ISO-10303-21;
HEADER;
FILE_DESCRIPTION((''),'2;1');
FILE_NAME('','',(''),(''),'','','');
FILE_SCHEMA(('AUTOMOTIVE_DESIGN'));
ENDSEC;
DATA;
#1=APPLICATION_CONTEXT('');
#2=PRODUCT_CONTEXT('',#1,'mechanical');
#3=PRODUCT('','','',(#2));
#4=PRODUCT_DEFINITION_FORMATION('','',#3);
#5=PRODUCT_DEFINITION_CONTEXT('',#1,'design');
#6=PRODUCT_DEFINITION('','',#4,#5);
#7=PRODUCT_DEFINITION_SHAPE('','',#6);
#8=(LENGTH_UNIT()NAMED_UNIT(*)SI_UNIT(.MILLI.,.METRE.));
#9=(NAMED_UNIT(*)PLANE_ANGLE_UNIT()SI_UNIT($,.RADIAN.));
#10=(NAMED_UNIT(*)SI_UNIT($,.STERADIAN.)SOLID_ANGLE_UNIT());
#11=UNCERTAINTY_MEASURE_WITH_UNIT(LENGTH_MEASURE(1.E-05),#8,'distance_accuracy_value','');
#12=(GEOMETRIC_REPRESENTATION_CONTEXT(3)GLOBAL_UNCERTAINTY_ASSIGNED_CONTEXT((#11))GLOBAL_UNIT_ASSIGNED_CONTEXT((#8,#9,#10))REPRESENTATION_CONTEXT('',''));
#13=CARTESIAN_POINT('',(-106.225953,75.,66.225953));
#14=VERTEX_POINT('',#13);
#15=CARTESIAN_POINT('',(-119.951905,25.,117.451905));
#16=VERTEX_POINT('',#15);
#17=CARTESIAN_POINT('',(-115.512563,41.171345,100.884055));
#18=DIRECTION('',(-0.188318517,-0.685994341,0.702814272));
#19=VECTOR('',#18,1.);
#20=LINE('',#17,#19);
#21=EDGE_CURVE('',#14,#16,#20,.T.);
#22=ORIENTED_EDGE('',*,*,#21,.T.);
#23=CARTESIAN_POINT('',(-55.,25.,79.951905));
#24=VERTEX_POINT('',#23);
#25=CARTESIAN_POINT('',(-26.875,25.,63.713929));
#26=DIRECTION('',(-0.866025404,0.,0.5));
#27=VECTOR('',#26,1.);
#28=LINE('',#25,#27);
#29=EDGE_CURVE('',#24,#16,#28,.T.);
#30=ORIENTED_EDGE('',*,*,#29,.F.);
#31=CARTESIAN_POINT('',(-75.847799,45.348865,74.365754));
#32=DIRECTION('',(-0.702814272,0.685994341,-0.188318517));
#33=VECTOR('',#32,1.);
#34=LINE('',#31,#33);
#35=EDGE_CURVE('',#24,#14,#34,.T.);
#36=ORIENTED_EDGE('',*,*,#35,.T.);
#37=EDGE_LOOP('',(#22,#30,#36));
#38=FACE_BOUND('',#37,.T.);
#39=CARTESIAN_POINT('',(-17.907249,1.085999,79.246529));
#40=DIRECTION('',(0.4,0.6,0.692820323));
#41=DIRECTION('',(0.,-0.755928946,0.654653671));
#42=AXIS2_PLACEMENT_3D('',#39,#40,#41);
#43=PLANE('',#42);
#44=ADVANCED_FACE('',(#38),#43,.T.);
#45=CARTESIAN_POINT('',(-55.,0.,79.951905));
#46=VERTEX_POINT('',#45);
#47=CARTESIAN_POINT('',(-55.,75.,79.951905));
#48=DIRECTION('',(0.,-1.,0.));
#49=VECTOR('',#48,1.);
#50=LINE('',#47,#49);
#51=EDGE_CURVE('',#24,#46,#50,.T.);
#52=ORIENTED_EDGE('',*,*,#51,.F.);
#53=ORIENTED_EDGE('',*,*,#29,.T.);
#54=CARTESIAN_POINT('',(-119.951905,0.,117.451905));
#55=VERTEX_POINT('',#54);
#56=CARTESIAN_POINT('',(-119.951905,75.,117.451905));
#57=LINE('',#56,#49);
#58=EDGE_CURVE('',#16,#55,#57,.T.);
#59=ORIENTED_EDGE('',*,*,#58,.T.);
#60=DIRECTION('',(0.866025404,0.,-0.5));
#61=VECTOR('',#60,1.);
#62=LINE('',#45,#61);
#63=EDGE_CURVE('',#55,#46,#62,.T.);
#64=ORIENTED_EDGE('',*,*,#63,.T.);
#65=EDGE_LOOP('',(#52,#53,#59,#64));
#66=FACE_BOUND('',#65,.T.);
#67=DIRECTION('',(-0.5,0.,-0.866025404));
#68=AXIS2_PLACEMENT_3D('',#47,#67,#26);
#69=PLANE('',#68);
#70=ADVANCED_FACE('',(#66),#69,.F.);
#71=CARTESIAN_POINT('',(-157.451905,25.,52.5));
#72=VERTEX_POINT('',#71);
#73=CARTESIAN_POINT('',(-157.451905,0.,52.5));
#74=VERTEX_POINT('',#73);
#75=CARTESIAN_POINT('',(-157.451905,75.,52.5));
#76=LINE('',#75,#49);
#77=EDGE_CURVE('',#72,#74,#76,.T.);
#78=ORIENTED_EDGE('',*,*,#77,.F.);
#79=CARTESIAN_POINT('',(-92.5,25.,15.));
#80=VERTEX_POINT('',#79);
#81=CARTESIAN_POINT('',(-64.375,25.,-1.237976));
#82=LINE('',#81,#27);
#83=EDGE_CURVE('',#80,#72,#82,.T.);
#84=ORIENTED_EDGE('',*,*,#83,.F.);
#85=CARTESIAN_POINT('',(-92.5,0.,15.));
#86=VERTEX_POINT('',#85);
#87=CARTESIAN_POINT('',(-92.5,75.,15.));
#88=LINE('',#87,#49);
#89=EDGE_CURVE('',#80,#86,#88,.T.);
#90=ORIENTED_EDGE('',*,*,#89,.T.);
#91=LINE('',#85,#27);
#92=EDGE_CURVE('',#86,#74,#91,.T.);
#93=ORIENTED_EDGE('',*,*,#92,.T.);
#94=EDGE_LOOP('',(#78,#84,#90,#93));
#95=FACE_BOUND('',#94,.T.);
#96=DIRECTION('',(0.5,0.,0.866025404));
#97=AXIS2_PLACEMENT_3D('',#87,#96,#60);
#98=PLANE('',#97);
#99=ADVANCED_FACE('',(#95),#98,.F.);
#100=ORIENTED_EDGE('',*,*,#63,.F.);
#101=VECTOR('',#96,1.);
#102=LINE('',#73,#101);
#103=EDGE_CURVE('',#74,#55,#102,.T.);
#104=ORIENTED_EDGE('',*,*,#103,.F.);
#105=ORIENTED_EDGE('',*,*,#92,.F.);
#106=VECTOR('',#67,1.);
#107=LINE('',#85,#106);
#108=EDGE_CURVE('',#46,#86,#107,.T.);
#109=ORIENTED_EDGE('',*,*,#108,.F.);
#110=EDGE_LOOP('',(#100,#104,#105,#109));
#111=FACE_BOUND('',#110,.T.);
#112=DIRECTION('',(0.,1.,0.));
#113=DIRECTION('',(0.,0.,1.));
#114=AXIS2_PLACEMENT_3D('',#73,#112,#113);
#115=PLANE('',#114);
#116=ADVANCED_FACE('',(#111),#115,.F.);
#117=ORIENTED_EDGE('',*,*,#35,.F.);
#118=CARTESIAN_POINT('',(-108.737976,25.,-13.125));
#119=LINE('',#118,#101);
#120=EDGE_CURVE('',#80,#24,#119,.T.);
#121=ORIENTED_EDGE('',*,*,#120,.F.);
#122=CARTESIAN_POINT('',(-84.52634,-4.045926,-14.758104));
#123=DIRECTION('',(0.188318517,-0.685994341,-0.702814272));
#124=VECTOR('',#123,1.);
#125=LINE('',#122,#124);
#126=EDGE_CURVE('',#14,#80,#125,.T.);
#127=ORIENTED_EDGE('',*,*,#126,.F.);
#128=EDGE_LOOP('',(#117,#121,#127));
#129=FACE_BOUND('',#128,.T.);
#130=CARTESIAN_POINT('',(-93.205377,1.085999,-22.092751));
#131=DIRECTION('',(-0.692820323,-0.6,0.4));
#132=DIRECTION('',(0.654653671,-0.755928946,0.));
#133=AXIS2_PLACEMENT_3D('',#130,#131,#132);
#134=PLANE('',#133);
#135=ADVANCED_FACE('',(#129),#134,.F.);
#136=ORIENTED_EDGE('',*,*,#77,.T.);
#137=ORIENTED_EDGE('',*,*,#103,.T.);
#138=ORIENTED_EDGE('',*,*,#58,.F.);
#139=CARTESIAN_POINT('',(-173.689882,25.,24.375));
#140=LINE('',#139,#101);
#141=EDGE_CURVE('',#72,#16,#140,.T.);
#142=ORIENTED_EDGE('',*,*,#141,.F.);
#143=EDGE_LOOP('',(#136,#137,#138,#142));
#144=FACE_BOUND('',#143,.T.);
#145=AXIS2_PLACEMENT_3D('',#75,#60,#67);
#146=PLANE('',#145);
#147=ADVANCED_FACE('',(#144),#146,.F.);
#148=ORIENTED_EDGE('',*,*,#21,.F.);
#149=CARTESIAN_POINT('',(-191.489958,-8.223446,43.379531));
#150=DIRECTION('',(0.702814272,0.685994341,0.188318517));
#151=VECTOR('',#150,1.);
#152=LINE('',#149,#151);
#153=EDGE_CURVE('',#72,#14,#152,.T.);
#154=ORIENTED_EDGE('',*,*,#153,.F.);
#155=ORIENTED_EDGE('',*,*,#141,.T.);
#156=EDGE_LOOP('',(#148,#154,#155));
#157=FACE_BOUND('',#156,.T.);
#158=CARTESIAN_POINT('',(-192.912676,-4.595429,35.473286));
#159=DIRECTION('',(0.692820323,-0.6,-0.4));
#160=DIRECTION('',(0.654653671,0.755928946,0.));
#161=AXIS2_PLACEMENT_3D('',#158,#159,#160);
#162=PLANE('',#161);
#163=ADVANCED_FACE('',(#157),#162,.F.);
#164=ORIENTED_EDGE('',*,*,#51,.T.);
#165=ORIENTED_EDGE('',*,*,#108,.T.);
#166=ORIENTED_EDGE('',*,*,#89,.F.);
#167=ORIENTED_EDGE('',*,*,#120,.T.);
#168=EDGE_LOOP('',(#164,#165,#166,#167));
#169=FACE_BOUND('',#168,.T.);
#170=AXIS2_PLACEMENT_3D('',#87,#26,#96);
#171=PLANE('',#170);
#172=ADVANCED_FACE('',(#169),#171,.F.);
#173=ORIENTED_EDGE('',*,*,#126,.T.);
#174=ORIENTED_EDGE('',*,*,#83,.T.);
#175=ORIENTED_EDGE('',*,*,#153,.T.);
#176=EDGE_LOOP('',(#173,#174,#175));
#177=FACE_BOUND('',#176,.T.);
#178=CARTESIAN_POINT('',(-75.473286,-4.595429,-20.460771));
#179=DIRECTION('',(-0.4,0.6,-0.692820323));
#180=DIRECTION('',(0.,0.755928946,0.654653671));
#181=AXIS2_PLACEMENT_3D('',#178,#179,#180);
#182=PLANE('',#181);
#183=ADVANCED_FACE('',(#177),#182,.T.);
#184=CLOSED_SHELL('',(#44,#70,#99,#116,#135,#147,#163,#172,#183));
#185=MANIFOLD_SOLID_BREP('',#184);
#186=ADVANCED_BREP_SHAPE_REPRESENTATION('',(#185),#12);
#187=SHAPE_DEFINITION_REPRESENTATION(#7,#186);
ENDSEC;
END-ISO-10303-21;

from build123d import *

# Parameters (mm, degrees)
EXTRUDE1_DEPTH = 75
EXTRUDE2_DEPTH = 108.475952642
EXTRUDE3_DEPTH = 108.475952642


with BuildPart() as part:
    # Sketch1 → Extrude1 (new body)
    with BuildSketch(Plane(origin=(0, 0, 0), x_dir=(1, 0, 0), z_dir=(0, 1, 0))):
        Polygon((-92.5, -15), (-55, -79.951905284), (-119.951905284, -117.451905284), (-157.451905284, -52.5), align=None)
    extrude(amount=EXTRUDE1_DEPTH)

    # Sketch2 → Extrude2 (cut, through all)
    with BuildSketch(Plane(origin=(20.870190528, 0, 36.148230359), x_dir=(0.866025404, 0, -0.5), z_dir=(0.5, 0, 0.866025404))):
        Polygon((-162.60734985, 25), (-125.10734985, 75), (-162.60734985, 75), align=None)
        Polygon((-87.60734985, 75), (-125.10734985, 75), (-87.60734985, 25), align=None)
    extrude(amount=-EXTRUDE2_DEPTH, mode=Mode.SUBTRACT)

    # Sketch3 → Extrude3 (cut, through all)
    with BuildSketch(Plane(origin=(-140.822095812, 0, 81.303674925), x_dir=(0.5, 0, 0.866025404), z_dir=(-0.866025404, 0, 0.5))):
        Polygon((-33.259618943, 75), (4.240381057, 75), (-33.259618943, 25), align=None)
        Polygon((41.740381057, 75), (41.740381057, 25), (4.240381057, 75), align=None)
    extrude(amount=-EXTRUDE3_DEPTH, mode=Mode.SUBTRACT)


solid = part.part
